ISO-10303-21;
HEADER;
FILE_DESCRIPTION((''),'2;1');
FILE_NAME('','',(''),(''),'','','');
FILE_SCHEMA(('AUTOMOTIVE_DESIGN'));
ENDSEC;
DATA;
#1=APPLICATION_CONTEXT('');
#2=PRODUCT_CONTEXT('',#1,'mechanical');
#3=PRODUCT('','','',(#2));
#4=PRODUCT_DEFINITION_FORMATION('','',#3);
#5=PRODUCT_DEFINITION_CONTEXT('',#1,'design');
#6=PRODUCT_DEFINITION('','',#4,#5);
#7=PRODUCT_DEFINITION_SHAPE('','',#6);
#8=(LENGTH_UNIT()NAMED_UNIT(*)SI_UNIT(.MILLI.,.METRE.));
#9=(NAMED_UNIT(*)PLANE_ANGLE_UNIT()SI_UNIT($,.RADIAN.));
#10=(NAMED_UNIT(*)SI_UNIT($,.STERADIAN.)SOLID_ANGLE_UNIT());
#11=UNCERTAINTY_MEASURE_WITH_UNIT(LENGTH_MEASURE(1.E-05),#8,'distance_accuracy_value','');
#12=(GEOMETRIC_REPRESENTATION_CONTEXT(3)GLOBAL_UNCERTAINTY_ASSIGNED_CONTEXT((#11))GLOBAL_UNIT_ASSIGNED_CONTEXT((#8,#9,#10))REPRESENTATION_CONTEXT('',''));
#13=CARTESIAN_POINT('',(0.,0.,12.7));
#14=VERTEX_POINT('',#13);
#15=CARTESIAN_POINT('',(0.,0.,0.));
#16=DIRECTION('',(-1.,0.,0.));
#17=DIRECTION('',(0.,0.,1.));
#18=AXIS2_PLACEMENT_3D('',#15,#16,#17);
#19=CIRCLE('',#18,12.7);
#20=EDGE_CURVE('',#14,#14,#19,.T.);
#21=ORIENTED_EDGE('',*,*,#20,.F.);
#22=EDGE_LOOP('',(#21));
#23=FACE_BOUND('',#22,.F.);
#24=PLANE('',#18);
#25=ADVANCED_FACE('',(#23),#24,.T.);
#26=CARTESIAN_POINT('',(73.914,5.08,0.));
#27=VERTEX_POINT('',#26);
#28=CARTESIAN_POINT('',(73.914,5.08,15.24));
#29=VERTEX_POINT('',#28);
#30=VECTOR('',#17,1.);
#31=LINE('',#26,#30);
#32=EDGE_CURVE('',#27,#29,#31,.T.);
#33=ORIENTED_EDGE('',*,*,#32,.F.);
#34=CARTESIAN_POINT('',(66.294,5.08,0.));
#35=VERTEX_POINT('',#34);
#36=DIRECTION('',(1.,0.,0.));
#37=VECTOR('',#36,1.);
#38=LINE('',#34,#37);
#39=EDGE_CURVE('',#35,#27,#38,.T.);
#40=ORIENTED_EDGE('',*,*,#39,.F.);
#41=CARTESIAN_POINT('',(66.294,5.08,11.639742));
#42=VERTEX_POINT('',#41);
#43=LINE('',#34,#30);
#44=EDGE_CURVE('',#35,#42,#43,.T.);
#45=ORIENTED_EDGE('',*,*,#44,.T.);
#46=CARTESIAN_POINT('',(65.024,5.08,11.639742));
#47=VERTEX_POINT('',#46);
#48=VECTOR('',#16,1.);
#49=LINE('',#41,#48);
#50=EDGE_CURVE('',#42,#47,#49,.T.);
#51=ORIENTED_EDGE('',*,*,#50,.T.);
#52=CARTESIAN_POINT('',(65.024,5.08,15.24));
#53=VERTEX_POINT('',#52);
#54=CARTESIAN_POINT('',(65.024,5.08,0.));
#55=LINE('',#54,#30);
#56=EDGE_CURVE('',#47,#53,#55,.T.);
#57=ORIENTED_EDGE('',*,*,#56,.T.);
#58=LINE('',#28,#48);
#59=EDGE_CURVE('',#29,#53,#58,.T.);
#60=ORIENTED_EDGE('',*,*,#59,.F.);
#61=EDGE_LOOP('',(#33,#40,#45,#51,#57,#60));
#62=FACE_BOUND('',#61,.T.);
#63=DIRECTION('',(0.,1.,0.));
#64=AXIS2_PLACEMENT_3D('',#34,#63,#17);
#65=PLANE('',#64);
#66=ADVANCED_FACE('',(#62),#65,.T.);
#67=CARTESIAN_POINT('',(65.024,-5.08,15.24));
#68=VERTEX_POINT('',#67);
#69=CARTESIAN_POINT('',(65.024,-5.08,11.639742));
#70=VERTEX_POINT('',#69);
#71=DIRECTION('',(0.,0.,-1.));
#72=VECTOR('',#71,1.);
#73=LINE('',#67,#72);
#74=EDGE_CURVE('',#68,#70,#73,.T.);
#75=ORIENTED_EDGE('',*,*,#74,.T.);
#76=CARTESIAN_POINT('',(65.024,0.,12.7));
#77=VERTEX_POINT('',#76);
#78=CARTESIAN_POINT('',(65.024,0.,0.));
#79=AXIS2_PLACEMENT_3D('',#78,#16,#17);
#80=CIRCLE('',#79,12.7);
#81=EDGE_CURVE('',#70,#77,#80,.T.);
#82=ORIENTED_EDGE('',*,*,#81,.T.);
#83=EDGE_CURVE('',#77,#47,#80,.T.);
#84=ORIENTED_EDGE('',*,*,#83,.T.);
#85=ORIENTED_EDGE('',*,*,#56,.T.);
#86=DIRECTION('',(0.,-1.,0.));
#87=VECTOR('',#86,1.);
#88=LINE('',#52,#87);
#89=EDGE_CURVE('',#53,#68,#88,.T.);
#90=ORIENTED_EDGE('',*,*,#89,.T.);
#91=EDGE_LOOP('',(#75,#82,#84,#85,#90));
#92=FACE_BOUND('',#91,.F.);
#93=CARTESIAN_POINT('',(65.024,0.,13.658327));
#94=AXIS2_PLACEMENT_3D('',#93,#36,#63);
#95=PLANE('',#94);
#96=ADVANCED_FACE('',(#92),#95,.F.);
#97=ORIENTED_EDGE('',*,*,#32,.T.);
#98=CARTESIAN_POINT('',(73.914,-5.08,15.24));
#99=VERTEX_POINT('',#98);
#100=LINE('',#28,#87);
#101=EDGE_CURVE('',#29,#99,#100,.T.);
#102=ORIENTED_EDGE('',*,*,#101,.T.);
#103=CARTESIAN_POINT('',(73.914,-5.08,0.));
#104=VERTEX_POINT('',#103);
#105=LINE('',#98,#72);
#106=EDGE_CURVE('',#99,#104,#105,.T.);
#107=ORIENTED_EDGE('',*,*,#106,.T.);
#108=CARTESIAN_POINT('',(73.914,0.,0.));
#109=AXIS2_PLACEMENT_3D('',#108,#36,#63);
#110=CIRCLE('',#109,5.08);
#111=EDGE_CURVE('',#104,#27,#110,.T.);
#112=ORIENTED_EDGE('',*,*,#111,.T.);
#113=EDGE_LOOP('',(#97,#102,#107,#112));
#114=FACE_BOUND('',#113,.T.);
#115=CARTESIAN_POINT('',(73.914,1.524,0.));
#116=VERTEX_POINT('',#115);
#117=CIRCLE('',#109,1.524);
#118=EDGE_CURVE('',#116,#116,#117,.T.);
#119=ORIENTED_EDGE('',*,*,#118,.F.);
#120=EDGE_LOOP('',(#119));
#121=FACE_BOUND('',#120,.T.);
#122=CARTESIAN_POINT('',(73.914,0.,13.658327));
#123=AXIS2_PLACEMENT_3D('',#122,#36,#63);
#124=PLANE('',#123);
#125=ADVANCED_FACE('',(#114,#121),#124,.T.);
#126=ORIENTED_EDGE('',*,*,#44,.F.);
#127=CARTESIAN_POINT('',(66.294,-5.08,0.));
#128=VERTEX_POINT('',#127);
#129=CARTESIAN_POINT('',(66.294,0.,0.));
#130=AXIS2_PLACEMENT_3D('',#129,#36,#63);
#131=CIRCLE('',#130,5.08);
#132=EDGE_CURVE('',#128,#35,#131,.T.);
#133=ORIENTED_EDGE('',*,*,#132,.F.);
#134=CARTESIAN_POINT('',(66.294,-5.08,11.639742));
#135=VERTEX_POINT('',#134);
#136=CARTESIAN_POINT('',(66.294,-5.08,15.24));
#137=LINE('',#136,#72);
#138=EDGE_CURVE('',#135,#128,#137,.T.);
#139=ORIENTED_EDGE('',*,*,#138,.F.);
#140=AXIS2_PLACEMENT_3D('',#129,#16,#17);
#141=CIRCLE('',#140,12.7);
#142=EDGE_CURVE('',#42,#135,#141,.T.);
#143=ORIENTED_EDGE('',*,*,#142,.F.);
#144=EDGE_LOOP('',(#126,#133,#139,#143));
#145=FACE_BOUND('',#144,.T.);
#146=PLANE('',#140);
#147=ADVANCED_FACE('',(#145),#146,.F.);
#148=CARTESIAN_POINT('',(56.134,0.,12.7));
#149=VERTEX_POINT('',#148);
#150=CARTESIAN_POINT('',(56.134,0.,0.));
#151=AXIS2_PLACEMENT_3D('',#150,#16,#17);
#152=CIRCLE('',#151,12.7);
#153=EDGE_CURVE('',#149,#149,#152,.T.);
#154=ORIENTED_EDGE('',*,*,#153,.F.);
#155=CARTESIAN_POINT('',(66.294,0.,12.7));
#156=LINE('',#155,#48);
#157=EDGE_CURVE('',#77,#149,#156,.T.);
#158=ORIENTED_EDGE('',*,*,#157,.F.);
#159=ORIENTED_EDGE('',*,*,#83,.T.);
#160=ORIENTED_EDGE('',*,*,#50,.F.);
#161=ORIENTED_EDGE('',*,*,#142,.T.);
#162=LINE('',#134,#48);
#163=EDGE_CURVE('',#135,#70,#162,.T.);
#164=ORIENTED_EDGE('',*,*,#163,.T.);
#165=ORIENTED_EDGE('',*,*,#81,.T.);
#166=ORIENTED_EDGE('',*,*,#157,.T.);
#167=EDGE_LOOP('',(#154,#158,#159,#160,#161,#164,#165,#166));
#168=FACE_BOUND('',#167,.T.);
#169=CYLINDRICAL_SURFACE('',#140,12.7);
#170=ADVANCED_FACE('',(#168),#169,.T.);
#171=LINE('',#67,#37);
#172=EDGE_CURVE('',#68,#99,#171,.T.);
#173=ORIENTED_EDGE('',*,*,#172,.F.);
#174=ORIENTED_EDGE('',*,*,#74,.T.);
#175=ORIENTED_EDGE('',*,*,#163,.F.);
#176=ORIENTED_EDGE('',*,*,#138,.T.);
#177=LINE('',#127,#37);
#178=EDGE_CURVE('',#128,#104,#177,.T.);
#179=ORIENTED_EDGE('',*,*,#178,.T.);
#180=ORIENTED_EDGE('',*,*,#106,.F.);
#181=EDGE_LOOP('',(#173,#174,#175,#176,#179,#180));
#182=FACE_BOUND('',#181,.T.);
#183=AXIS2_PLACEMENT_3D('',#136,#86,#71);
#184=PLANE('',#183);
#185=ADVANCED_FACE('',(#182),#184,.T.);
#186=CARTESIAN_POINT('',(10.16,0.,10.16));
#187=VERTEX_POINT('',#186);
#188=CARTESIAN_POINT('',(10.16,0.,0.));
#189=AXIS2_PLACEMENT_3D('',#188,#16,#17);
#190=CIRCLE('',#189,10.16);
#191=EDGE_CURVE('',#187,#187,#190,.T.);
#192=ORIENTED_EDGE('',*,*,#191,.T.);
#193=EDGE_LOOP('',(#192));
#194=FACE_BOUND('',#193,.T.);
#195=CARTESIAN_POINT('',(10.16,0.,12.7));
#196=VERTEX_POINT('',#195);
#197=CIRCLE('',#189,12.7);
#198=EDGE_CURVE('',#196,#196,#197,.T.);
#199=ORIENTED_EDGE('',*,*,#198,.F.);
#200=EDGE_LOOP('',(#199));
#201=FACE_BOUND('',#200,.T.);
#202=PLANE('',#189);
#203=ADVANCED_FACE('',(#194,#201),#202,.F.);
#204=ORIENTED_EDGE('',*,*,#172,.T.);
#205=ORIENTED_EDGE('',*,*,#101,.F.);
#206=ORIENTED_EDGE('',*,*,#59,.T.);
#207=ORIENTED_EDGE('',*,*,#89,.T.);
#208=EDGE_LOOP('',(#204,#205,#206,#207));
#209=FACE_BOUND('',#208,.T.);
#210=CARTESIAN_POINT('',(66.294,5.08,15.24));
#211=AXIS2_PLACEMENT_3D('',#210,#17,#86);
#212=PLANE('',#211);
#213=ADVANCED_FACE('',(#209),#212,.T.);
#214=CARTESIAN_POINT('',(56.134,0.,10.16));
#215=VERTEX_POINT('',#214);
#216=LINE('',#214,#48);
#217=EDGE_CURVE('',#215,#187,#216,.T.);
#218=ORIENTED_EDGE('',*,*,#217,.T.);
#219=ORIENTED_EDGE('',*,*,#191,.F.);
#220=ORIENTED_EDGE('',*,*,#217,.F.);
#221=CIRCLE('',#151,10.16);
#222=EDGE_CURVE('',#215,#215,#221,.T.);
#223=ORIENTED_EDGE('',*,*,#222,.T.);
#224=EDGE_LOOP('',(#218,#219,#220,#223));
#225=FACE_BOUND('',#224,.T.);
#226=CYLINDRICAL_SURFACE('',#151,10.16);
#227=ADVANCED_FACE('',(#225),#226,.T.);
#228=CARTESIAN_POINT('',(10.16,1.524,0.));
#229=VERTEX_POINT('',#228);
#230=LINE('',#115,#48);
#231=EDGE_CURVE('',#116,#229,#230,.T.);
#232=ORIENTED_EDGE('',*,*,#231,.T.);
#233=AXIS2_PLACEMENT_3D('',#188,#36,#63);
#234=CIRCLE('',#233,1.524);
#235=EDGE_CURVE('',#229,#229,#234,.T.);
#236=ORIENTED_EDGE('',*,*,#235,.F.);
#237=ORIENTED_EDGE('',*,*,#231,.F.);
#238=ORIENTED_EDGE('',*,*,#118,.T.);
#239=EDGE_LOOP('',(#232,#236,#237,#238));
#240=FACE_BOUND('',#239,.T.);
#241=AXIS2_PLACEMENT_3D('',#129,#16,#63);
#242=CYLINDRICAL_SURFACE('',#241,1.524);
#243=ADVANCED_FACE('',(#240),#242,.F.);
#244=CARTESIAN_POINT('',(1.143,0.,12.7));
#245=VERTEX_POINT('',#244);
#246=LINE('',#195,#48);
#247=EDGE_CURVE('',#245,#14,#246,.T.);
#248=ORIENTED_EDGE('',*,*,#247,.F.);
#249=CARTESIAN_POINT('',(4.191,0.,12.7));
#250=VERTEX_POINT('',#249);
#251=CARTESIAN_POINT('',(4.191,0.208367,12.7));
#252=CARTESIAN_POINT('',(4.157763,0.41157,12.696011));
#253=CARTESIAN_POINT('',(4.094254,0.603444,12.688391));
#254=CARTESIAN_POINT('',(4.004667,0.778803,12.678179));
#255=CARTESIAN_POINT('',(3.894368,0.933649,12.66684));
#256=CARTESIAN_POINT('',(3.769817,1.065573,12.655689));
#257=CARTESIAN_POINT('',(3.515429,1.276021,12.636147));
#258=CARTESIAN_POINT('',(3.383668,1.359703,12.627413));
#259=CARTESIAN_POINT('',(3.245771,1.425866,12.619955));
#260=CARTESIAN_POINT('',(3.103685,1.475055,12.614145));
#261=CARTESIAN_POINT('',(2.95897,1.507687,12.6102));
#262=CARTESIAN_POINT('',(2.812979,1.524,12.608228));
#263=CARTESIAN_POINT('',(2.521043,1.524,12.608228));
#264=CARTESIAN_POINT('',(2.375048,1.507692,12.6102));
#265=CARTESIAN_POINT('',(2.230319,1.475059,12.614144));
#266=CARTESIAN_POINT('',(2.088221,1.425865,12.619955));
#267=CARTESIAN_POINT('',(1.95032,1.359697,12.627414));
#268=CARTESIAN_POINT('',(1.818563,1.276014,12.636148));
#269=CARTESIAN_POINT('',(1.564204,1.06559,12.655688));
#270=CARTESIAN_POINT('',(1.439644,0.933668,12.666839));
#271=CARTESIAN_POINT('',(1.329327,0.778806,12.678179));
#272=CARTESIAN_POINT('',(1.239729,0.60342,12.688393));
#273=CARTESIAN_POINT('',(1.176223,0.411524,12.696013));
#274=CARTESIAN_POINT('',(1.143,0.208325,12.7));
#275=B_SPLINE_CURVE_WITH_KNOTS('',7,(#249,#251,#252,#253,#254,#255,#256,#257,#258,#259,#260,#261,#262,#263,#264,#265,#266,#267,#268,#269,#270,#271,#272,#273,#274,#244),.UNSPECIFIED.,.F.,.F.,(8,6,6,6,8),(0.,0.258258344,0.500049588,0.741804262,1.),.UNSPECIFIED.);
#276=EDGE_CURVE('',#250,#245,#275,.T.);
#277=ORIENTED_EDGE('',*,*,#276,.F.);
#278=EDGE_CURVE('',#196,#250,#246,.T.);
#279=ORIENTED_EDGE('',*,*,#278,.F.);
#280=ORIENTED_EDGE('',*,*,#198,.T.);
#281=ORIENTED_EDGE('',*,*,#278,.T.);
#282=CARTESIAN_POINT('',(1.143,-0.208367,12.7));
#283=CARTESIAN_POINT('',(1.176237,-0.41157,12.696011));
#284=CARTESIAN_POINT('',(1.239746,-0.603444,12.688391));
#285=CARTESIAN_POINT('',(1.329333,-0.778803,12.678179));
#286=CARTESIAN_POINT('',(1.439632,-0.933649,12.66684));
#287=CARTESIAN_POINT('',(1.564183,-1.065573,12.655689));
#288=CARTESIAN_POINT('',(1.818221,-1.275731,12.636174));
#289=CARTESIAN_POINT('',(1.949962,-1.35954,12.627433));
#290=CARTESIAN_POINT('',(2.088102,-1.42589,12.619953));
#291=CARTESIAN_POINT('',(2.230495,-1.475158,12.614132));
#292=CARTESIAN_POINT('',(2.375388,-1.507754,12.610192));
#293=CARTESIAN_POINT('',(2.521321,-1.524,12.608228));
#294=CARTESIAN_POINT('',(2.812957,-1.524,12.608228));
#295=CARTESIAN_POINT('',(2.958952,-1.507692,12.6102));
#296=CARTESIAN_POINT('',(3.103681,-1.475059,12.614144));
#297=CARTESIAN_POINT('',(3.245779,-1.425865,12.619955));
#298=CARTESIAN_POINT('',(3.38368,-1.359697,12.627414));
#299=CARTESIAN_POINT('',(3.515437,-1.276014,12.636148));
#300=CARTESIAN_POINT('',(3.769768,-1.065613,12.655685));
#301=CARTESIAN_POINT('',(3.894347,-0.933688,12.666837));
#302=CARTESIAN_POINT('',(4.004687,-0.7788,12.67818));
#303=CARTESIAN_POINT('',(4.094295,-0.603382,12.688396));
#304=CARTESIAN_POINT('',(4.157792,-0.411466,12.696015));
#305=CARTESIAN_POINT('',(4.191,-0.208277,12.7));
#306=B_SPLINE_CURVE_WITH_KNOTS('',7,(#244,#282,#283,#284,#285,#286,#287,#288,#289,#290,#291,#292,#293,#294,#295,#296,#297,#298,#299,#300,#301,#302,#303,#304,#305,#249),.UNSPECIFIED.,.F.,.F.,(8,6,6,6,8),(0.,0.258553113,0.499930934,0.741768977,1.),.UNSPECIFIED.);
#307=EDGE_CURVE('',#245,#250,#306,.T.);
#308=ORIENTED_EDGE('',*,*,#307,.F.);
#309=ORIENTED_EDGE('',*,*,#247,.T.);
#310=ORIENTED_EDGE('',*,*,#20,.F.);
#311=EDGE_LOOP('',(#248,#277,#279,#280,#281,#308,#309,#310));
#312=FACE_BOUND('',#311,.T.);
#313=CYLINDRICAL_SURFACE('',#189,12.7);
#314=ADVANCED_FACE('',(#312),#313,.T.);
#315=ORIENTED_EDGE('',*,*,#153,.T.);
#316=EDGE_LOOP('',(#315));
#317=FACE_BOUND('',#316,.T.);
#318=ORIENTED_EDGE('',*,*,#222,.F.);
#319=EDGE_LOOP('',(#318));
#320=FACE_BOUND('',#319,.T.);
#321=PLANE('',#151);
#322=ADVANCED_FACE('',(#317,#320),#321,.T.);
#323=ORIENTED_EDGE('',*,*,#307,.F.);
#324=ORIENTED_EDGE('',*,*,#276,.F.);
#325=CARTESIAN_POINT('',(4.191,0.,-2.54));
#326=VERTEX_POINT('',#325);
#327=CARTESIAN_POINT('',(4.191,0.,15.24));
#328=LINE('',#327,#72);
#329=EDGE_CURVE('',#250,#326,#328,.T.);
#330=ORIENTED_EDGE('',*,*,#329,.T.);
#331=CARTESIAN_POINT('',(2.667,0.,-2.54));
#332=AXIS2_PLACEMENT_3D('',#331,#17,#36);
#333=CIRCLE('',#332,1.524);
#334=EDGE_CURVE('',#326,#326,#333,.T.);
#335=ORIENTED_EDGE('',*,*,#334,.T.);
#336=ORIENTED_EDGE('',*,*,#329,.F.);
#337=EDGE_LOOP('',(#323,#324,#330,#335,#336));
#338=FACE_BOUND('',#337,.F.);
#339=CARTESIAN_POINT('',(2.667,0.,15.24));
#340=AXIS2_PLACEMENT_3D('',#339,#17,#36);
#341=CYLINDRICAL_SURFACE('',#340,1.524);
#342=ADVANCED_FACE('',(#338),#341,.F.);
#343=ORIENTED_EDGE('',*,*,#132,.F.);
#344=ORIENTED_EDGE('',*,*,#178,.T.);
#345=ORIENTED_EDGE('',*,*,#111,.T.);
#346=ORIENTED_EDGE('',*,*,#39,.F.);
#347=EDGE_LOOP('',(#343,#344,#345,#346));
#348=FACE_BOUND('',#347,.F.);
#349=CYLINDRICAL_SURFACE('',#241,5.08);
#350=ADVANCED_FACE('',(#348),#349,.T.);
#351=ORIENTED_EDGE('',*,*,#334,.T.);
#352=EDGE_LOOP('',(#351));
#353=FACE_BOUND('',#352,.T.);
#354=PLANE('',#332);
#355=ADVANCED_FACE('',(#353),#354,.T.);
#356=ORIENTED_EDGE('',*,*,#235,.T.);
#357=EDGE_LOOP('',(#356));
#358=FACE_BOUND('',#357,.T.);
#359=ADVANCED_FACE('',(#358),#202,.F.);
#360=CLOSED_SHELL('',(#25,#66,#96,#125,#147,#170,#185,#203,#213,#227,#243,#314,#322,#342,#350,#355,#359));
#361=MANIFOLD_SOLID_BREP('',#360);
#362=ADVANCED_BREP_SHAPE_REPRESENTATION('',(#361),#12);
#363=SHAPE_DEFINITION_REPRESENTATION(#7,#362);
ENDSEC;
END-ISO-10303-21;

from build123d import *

# Parameters (mm, degrees)
F0_W          = 5.842
F0_H          = 12.7
F0_R          = 3.175
F2_DEPTH      = 3.175
F3_R          = 1.524
F4_DEPTH      = 7.62
F4_DEPTH_BACK = 1.27
F5_DEPTH      = 56.134
F6_R          = 1.524
F7_DEPTH      = 17.78


with BuildPart() as f1:
    # F0 (on Front) → F1 (revolve)
    with BuildSketch(Plane.XZ):
        Polygon((5.842, 12.7), (5.842, 0), (66.294, 0), (66.294, 12.7), (56.134, 12.7), (56.134, 10.16), (10.16, 10.16), (10.16, 12.7), align=None)
        with Locations((2.921, 6.35)):
            Rectangle(F0_W, F0_H)
    revolve(axis=Axis((33.147, 0, 0), (-1, 0, 0)))

    # F3 (on face) → F4 (join, two sides)
    with BuildSketch(Plane.YZ.offset(66.294)) as f4_sk:
        with BuildLine():
            ThreePointArc((-5.08, 11.6397422652), (0, 12.7), (5.08, 11.6397422652))
            Line((5.08, 11.6397422652), (5.08, 15.24))
            Line((5.08, 15.24), (-5.08, 15.24))
            Line((-5.08, 15.24), (-5.08, 11.6397422652))
        make_face()
        with BuildLine():
            ThreePointArc((-5.08, 0), (0, 5.08), (5.08, 0))
            Line((5.08, 0), (5.08, 11.6397422652))
            ThreePointArc((5.08, 11.6397422652), (0, 12.7), (-5.08, 11.6397422652))
            Line((-5.08, 11.6397422652), (-5.08, 0))
        make_face()
        with BuildLine():
            ThreePointArc((-5.08, 0), (0, -5.08), (5.08, 0))
            ThreePointArc((5.08, 0), (0, 5.08), (-5.08, 0))
        make_face()
        Circle(F3_R, mode=Mode.SUBTRACT)
    extrude(amount=F4_DEPTH)
    extrude(f4_sk.sketch, amount=-F4_DEPTH_BACK)

    # F5 (cut, through all): a face of the model
    f5_faces = [f1.faces().sort_by_distance(p)[0] for p in [
        (66.294, 0, 0),
    ]]
    extrude(f5_faces, amount=-F5_DEPTH, mode=Mode.SUBTRACT)


with BuildPart() as f2:
    # F0 (on Front) → F2 (new body, symmetric)
    with BuildSketch(Plane.XZ):
        with BuildLine():
            Line((-0.9398, 0), (0, 0))
            Line((0, 0), (0, 12.7))
            Line((0, 12.7), (5.842, 12.7))
            Line((5.842, 12.7), (5.842, 15.24))
            Line((5.842, 15.24), (-0.508, 15.24))
            Line((-0.508, 15.24), (-10.8806298187, 3.8475430269))
            ThreePointArc((-10.8806298187, 3.8475430269), (-4.5919612295, 5.3297205562), (-0.9398, 0))
        make_face()
        with BuildLine():
            ThreePointArc((-8.1826630726, -5.5069827884), (-3.1957909266, -4.5493385486), (-0.9398, 0))
            ThreePointArc((-0.9398, 0), (-4.5919612295, 5.3297205562), (-10.8806298187, 3.8475430269))
            ThreePointArc((-10.8806298187, 3.8475430269), (-12.1459778134, -1.5837270034), (-8.1826630726, -5.5069827884))
        make_face()
        with Locations((-6.6548, 0)):
            Circle(F0_R, mode=Mode.SUBTRACT)
        with BuildLine():
            Line((5.842, 0), (0, 0))
            Line((0, 0), (-0.9398, 0))
            ThreePointArc((-0.9398, 0), (-3.1957909266, -4.5493385486), (-8.1826630726, -5.5069827884))
            Line((-8.1826630726, -5.5069827884), (5.842, -9.398))
            Line((5.842, -9.398), (5.842, 0))
        make_face()
    extrude(amount=F2_DEPTH, both=True)


with BuildPart() as f7_tool:
    # F6 (on face) → F7 (new body)
    with BuildSketch(Plane.XY.offset(15.24)):
        with Locations((2.667, 0)):
            Circle(F6_R)
    extrude(amount=-F7_DEPTH)


with BuildPart() as f1_1:
    add(f1.part)

    # F7: cut by f7_tool
    add(f7_tool.part, mode=Mode.SUBTRACT)


with BuildPart() as f2_1:
    add(f2.part)

    # F7: cut by f7_tool
    add(f7_tool.part, mode=Mode.SUBTRACT)


solid = f1_1.part
